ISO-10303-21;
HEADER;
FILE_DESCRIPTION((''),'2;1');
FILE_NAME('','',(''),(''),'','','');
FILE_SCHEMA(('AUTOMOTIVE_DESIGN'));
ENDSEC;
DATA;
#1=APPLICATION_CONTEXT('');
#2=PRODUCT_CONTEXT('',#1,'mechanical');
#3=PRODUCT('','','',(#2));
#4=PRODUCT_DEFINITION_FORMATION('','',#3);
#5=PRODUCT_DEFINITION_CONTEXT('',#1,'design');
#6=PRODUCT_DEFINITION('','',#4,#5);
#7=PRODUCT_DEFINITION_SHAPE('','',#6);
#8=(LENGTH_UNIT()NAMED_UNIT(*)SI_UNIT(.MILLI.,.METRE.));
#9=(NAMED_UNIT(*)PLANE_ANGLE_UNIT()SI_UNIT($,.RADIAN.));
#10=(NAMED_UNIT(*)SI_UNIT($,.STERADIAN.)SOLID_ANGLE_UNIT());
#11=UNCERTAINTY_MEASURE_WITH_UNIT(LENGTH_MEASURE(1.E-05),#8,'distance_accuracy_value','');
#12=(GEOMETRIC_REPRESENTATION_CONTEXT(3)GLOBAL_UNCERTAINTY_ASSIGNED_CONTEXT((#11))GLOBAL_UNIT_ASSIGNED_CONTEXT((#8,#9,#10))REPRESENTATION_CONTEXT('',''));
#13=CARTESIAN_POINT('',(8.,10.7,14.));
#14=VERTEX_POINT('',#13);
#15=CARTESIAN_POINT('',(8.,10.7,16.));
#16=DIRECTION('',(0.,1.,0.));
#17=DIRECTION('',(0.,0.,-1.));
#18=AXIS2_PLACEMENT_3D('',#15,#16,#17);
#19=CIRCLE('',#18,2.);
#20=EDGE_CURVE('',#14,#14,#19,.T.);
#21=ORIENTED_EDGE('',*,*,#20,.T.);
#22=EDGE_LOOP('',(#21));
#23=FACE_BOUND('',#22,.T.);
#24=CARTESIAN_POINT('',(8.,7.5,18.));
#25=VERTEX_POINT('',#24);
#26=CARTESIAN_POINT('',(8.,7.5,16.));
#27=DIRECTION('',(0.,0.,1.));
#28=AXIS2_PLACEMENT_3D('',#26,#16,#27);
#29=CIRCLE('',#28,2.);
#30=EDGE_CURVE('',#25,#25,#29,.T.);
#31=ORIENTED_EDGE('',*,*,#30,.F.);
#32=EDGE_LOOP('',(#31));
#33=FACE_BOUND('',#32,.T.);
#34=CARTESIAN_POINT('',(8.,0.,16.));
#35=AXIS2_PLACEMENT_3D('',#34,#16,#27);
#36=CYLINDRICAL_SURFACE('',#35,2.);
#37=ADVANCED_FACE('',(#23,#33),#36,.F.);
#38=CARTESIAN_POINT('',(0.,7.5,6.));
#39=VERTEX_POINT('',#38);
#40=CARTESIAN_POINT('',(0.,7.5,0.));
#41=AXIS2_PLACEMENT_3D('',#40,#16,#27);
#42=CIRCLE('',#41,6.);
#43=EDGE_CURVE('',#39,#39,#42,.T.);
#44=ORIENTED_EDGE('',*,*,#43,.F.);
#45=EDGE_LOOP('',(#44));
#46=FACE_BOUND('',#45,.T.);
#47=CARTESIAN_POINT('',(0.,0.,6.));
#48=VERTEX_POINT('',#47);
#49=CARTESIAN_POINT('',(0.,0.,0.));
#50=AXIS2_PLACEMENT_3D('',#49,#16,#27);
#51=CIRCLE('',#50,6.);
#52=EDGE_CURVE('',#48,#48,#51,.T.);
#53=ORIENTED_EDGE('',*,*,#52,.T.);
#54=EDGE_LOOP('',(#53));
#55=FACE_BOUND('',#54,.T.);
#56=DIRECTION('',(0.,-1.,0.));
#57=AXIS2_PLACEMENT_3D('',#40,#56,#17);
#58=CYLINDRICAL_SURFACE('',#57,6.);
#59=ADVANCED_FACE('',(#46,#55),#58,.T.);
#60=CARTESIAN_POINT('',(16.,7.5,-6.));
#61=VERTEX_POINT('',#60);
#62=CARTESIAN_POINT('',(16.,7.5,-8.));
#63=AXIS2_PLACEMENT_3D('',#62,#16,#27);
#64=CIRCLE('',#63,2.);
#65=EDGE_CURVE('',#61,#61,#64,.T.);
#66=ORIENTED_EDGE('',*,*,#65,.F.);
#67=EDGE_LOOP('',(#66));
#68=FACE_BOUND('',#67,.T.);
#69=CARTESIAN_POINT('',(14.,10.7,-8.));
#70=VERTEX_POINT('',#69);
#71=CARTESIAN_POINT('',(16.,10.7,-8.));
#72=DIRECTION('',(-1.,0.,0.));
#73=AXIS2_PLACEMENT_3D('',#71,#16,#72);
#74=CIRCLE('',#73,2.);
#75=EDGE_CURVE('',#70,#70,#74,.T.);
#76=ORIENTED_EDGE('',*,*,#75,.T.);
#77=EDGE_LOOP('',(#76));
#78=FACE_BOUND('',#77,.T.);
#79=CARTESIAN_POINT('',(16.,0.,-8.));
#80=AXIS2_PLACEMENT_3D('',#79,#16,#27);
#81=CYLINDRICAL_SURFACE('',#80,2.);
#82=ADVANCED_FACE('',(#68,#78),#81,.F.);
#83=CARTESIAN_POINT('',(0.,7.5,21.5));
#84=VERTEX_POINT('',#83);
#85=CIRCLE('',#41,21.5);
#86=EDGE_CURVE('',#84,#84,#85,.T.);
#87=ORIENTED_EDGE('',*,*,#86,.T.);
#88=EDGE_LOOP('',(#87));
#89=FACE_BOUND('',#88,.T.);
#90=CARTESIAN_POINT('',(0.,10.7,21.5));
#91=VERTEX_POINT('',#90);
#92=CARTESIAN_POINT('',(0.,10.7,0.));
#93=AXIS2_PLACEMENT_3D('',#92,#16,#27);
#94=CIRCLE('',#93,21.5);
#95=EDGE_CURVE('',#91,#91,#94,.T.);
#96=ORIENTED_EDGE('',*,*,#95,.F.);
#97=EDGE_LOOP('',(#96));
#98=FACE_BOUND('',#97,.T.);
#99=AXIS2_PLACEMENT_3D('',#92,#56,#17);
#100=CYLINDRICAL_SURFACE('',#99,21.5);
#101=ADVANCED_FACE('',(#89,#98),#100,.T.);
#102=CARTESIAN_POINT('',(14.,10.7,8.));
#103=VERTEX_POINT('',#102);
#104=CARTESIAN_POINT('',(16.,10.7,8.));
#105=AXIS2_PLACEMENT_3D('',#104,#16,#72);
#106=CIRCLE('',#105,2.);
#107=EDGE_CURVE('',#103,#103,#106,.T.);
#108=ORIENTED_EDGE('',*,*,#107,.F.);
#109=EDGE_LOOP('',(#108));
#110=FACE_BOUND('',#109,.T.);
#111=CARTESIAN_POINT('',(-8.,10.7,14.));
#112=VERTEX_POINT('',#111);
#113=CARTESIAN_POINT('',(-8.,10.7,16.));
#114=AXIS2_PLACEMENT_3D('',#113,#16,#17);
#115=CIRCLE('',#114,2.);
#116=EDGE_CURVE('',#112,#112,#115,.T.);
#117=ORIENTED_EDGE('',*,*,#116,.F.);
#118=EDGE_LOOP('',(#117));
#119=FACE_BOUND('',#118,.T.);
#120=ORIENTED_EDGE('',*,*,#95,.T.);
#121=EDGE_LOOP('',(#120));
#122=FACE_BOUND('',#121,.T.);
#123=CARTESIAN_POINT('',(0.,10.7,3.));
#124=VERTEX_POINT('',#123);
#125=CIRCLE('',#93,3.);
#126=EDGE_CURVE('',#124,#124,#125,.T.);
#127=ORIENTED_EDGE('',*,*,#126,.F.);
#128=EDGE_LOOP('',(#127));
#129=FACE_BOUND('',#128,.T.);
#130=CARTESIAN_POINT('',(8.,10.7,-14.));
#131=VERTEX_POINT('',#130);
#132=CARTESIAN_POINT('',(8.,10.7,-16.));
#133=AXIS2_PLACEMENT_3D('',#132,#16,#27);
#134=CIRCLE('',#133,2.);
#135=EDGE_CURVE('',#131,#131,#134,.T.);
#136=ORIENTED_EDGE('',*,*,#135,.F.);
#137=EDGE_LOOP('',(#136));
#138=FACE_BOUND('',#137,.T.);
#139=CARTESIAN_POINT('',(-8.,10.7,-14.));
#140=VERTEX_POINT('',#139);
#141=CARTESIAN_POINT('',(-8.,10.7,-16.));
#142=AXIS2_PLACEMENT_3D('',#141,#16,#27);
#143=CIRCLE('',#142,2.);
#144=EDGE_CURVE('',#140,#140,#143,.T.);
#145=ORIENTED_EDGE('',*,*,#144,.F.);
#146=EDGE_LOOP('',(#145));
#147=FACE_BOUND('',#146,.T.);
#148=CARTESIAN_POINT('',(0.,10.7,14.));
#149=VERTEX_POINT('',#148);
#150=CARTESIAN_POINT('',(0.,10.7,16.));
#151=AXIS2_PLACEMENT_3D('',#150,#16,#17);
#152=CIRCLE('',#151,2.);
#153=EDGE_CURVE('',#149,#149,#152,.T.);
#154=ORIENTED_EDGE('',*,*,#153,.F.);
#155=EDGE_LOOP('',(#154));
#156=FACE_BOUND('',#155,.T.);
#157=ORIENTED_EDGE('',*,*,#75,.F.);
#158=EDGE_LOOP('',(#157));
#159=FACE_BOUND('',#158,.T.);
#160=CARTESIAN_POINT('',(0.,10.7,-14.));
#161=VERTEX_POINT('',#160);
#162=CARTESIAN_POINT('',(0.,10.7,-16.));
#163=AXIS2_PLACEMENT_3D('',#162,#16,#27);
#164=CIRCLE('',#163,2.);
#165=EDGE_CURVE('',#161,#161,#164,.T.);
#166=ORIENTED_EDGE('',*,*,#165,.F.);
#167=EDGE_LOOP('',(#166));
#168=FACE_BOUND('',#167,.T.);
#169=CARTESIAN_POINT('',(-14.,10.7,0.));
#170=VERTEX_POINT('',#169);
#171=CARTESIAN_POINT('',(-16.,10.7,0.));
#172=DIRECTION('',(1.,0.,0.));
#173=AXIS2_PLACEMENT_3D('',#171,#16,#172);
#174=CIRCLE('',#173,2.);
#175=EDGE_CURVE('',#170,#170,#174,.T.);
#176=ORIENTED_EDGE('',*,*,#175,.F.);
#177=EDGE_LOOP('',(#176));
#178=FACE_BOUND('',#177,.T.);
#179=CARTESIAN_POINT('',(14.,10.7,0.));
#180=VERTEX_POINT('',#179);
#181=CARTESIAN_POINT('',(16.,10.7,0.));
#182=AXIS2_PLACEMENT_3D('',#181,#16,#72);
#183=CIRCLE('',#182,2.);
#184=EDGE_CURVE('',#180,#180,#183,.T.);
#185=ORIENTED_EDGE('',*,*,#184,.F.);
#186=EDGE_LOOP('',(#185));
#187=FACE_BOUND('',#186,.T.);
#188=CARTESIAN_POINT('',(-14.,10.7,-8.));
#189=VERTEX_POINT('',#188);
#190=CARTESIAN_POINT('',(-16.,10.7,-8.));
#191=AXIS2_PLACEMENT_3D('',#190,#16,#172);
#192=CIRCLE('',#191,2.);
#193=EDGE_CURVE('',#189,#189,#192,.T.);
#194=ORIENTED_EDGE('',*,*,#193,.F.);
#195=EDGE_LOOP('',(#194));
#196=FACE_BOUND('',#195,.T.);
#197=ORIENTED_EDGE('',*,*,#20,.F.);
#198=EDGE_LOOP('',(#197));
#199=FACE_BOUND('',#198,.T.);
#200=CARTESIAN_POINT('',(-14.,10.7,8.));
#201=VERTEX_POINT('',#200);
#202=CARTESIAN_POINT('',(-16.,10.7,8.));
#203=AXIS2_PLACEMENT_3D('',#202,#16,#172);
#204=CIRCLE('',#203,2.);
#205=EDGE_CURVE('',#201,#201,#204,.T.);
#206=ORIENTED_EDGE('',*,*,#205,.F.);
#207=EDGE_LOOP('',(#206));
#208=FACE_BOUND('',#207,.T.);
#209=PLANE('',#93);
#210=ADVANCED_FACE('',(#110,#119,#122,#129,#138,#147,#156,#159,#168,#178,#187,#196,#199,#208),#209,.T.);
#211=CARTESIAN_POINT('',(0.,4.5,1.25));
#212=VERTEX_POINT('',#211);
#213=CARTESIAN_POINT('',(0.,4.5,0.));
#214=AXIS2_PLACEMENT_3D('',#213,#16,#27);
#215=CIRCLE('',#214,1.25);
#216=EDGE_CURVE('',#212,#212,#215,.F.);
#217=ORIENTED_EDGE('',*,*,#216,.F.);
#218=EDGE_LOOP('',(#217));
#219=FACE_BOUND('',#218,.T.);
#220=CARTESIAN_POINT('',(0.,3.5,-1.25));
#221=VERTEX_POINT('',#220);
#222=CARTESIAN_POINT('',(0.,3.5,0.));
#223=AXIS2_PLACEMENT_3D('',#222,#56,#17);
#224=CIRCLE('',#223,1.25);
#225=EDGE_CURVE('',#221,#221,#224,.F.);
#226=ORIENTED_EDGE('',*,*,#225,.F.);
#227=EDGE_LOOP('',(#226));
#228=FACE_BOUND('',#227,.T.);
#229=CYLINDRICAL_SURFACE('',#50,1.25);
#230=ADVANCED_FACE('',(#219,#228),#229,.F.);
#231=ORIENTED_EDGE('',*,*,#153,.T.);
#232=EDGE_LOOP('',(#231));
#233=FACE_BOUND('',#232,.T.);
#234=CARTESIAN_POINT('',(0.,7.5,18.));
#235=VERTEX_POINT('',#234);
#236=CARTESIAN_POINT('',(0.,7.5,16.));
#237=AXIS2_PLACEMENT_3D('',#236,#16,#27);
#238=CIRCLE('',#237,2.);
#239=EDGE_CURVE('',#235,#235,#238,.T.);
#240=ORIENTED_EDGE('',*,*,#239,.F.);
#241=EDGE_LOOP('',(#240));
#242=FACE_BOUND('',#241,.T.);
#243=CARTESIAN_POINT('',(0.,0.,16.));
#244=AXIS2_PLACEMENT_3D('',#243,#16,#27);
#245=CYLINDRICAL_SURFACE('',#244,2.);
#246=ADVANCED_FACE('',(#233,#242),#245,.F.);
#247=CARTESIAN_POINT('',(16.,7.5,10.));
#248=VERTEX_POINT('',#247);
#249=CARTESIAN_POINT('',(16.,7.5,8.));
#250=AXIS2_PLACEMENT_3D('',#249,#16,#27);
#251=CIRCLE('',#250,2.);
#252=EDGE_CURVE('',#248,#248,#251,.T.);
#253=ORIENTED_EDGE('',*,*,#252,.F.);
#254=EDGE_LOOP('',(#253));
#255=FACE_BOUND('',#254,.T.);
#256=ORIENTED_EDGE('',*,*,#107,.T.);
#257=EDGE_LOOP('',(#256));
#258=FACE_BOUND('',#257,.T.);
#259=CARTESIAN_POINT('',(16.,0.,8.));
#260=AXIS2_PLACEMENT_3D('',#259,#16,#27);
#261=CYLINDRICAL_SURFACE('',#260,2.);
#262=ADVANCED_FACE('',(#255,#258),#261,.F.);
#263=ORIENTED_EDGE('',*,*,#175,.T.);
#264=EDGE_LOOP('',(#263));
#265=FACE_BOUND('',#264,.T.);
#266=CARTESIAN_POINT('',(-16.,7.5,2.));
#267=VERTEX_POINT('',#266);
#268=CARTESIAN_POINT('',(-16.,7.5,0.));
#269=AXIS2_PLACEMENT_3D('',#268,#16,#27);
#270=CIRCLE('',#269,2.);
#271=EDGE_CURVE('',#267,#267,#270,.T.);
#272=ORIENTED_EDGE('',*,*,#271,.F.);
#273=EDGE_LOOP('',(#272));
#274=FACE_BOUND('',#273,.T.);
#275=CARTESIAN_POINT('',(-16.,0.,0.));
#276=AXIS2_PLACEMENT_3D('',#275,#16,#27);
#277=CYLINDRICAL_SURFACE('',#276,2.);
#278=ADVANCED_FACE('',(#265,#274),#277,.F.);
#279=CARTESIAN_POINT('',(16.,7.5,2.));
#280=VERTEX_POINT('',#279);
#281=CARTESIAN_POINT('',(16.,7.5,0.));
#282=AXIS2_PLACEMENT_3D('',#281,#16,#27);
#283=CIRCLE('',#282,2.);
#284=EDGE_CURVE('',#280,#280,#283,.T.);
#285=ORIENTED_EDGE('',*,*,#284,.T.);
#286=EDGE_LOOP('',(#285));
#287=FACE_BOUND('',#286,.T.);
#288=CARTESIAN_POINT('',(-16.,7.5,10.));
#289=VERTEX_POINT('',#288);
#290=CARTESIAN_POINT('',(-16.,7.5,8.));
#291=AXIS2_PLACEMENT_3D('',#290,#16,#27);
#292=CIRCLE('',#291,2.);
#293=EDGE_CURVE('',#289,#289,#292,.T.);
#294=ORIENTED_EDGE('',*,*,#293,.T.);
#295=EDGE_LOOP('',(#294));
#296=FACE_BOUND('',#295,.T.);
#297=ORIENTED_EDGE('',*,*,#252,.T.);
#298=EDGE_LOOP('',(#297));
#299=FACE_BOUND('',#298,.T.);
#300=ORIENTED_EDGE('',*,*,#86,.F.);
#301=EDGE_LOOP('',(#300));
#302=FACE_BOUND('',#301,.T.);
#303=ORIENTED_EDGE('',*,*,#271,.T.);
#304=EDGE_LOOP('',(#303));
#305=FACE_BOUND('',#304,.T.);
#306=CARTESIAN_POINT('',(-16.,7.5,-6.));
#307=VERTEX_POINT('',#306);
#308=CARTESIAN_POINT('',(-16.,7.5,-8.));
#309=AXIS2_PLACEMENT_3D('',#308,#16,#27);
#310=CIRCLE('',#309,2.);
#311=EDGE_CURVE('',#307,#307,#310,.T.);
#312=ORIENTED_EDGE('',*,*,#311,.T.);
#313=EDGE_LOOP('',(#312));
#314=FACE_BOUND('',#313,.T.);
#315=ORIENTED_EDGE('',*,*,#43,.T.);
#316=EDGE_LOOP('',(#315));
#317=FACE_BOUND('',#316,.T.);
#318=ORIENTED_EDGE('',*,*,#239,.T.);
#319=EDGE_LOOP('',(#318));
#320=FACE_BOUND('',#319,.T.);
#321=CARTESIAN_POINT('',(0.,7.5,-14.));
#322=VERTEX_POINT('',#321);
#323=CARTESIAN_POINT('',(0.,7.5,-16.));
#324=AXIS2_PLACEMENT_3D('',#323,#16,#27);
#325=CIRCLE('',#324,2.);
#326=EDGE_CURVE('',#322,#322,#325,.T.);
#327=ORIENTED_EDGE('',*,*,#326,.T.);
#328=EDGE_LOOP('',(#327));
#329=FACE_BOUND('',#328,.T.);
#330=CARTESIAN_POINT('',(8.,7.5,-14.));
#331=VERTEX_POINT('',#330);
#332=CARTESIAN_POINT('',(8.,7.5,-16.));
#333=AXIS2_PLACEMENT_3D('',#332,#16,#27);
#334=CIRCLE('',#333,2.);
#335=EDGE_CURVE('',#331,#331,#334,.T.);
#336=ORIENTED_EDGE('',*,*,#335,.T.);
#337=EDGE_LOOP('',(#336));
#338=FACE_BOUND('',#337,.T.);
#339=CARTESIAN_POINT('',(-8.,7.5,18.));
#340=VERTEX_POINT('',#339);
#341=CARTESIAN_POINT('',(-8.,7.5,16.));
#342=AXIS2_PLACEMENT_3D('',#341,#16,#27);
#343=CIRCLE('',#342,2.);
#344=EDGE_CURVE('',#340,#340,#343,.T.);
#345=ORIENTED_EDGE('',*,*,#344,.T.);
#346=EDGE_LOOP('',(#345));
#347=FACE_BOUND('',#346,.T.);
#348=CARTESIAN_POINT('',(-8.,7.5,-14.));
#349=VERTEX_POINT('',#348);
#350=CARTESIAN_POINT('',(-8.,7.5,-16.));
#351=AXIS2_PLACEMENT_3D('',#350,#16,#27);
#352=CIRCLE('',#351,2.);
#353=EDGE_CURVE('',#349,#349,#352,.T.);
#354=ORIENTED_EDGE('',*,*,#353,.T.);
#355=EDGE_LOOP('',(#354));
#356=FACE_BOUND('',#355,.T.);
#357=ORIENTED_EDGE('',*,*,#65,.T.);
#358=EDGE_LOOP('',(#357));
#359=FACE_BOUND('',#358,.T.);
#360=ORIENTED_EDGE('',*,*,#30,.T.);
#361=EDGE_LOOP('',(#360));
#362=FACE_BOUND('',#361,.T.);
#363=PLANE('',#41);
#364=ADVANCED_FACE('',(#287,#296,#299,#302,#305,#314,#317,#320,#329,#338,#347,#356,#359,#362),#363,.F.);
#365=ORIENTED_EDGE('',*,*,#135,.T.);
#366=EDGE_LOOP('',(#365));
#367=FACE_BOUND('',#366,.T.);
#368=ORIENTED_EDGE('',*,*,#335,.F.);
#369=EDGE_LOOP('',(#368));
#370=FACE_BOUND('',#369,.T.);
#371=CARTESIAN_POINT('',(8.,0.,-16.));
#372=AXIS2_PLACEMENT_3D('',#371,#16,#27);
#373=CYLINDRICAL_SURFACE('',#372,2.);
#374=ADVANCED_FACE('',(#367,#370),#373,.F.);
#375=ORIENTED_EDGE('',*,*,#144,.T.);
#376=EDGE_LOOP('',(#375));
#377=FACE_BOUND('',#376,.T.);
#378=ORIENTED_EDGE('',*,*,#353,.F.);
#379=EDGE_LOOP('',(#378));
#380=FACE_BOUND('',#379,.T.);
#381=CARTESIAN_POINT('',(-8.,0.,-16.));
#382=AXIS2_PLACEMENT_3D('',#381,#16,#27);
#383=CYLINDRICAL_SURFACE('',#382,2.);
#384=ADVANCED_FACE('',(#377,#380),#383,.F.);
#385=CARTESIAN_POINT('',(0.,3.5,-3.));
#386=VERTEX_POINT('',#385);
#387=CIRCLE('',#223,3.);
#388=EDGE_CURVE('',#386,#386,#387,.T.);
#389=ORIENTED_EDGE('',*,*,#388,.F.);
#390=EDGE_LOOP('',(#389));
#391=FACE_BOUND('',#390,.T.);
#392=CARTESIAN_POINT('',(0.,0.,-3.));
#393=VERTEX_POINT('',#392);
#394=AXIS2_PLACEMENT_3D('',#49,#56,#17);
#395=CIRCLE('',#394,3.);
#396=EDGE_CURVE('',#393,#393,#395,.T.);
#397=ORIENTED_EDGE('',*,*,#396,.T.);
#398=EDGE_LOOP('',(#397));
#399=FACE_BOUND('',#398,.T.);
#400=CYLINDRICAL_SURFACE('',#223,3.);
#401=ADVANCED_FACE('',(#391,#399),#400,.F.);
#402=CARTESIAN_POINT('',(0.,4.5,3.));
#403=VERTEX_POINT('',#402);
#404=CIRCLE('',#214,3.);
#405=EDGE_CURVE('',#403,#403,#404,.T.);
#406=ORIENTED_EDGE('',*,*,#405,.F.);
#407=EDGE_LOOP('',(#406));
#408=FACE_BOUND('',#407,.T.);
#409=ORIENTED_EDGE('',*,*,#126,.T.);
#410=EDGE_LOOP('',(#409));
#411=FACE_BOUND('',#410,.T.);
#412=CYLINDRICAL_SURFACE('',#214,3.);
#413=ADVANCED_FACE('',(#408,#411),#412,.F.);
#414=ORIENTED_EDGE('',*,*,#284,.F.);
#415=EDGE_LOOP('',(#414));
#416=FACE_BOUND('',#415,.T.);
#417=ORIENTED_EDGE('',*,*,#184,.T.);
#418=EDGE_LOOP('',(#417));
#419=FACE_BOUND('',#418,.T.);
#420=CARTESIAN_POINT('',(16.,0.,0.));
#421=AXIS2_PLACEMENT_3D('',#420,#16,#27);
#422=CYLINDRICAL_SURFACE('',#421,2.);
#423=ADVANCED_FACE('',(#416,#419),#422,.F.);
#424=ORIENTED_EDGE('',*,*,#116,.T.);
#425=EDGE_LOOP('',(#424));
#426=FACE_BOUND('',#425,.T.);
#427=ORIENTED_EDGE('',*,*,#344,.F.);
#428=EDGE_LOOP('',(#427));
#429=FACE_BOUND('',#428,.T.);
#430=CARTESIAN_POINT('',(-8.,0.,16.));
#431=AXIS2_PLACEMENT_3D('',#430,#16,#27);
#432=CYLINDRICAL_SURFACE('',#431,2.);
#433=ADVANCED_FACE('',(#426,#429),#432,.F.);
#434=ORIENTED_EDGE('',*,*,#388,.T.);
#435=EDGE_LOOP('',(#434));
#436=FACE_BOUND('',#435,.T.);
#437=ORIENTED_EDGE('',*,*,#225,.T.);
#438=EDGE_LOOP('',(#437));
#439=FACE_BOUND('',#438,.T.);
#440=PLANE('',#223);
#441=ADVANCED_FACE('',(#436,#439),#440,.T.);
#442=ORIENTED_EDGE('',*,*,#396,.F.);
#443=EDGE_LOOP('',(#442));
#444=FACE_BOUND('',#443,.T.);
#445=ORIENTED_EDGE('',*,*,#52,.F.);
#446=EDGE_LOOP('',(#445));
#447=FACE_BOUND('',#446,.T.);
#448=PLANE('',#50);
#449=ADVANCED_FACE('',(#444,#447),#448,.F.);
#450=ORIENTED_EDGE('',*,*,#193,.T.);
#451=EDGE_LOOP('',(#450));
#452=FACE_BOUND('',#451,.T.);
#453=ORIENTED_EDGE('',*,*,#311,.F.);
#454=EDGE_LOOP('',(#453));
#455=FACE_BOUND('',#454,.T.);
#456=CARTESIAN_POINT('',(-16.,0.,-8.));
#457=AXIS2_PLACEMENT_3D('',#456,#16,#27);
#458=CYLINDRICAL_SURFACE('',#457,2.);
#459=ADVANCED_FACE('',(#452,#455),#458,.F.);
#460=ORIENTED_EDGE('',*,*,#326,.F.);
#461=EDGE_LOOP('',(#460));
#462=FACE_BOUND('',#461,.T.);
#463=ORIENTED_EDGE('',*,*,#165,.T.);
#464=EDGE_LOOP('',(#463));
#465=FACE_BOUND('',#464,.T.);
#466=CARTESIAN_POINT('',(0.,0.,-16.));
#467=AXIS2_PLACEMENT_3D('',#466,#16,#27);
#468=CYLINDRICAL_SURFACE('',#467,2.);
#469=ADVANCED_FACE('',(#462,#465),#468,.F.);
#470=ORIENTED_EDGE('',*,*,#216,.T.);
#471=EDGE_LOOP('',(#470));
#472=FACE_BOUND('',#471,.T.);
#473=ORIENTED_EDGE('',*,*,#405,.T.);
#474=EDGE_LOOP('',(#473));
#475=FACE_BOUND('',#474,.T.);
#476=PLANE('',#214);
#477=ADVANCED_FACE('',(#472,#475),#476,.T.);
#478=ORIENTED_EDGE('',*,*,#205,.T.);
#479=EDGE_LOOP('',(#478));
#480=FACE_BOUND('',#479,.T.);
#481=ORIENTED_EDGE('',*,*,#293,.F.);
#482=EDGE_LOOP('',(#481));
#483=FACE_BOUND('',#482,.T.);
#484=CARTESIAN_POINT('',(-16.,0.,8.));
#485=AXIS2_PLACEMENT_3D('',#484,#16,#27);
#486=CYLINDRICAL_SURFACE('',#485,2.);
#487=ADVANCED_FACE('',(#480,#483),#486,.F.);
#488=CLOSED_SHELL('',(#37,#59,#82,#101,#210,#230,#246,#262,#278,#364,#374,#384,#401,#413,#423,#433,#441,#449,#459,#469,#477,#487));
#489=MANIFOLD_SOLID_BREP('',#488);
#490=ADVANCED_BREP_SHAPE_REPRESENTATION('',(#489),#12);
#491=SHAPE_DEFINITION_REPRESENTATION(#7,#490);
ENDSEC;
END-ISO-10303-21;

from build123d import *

# Parameters (mm, degrees)
SKETCH1_R           = 6
BOSS_EXTRUDE1_DEPTH = 7.5
SKETCH2_R           = 21.5
BOSS_EXTRUDE2_DEPTH = 3.2
SKETCH3_R           = 2
CUT_EXTRUDE1_DEPTH  = 11.7
SKETCH4_R           = 1.25
CUT_EXTRUDE2_DEPTH  = 11.7
CIRPATTERN1_COUNT   = 4
SKETCH5_R           = 3
CUT_EXTRUDE3_DEPTH  = 6.2
SKETCH6_R           = 3
CUT_EXTRUDE4_DEPTH  = 3.5


with BuildPart() as part:
    # Sketch1 → Boss-Extrude1 (new body)
    with BuildSketch(Plane(origin=(0, 0, 0), x_dir=(1, 0, 0), z_dir=(0, 1, 0))):
        Circle(SKETCH1_R)
    extrude(amount=BOSS_EXTRUDE1_DEPTH)

    # Sketch2 → Boss-Extrude2 (add)
    with BuildSketch(Plane(origin=(0, 7.5, 0), x_dir=(1, 0, 0), z_dir=(0, 1, 0))):
        Circle(SKETCH2_R)
    extrude(amount=BOSS_EXTRUDE2_DEPTH)

    # Sketch3 → Cut-Extrude1 (cut, through all)
    with BuildSketch(Plane(origin=(0, 10.7, 0), x_dir=(1, 0, 0), z_dir=(0, 1, 0))):
        with Locations((0, 16)):
            Circle(SKETCH3_R)
        with Locations((8, 16)):
            Circle(SKETCH3_R)
        with Locations((-8, 16)):
            Circle(SKETCH3_R)
    cut_extrude1 = extrude(amount=-CUT_EXTRUDE1_DEPTH, mode=Mode.SUBTRACT)

    # Sketch4 → Cut-Extrude2 (cut, through all)
    with BuildSketch(Plane(origin=(0, 10.7, 0), x_dir=(1, 0, 0), z_dir=(0, 1, 0))):
        Circle(SKETCH4_R)
    extrude(amount=-CUT_EXTRUDE2_DEPTH, mode=Mode.SUBTRACT)

    # CirPattern1: Cut-Extrude1 ×4 about axis
    cirpattern1_axis = Axis((0, 0, 0), (0, 1, 0))
    for i in range(1, CIRPATTERN1_COUNT):
        add(cut_extrude1.rotate(cirpattern1_axis, i * 360 / CIRPATTERN1_COUNT), mode=Mode.SUBTRACT)

    # Sketch5 → Cut-Extrude3 (cut)
    with BuildSketch(Plane(origin=(0, 10.7, 0), x_dir=(1, 0, 0), z_dir=(0, 1, 0))):
        Circle(SKETCH5_R)
    extrude(amount=-CUT_EXTRUDE3_DEPTH, mode=Mode.SUBTRACT)

    # Sketch6 → Cut-Extrude4 (cut)
    with BuildSketch(Plane.XZ):
        Circle(SKETCH6_R)
    extrude(amount=-CUT_EXTRUDE4_DEPTH, mode=Mode.SUBTRACT)


solid = part.part
